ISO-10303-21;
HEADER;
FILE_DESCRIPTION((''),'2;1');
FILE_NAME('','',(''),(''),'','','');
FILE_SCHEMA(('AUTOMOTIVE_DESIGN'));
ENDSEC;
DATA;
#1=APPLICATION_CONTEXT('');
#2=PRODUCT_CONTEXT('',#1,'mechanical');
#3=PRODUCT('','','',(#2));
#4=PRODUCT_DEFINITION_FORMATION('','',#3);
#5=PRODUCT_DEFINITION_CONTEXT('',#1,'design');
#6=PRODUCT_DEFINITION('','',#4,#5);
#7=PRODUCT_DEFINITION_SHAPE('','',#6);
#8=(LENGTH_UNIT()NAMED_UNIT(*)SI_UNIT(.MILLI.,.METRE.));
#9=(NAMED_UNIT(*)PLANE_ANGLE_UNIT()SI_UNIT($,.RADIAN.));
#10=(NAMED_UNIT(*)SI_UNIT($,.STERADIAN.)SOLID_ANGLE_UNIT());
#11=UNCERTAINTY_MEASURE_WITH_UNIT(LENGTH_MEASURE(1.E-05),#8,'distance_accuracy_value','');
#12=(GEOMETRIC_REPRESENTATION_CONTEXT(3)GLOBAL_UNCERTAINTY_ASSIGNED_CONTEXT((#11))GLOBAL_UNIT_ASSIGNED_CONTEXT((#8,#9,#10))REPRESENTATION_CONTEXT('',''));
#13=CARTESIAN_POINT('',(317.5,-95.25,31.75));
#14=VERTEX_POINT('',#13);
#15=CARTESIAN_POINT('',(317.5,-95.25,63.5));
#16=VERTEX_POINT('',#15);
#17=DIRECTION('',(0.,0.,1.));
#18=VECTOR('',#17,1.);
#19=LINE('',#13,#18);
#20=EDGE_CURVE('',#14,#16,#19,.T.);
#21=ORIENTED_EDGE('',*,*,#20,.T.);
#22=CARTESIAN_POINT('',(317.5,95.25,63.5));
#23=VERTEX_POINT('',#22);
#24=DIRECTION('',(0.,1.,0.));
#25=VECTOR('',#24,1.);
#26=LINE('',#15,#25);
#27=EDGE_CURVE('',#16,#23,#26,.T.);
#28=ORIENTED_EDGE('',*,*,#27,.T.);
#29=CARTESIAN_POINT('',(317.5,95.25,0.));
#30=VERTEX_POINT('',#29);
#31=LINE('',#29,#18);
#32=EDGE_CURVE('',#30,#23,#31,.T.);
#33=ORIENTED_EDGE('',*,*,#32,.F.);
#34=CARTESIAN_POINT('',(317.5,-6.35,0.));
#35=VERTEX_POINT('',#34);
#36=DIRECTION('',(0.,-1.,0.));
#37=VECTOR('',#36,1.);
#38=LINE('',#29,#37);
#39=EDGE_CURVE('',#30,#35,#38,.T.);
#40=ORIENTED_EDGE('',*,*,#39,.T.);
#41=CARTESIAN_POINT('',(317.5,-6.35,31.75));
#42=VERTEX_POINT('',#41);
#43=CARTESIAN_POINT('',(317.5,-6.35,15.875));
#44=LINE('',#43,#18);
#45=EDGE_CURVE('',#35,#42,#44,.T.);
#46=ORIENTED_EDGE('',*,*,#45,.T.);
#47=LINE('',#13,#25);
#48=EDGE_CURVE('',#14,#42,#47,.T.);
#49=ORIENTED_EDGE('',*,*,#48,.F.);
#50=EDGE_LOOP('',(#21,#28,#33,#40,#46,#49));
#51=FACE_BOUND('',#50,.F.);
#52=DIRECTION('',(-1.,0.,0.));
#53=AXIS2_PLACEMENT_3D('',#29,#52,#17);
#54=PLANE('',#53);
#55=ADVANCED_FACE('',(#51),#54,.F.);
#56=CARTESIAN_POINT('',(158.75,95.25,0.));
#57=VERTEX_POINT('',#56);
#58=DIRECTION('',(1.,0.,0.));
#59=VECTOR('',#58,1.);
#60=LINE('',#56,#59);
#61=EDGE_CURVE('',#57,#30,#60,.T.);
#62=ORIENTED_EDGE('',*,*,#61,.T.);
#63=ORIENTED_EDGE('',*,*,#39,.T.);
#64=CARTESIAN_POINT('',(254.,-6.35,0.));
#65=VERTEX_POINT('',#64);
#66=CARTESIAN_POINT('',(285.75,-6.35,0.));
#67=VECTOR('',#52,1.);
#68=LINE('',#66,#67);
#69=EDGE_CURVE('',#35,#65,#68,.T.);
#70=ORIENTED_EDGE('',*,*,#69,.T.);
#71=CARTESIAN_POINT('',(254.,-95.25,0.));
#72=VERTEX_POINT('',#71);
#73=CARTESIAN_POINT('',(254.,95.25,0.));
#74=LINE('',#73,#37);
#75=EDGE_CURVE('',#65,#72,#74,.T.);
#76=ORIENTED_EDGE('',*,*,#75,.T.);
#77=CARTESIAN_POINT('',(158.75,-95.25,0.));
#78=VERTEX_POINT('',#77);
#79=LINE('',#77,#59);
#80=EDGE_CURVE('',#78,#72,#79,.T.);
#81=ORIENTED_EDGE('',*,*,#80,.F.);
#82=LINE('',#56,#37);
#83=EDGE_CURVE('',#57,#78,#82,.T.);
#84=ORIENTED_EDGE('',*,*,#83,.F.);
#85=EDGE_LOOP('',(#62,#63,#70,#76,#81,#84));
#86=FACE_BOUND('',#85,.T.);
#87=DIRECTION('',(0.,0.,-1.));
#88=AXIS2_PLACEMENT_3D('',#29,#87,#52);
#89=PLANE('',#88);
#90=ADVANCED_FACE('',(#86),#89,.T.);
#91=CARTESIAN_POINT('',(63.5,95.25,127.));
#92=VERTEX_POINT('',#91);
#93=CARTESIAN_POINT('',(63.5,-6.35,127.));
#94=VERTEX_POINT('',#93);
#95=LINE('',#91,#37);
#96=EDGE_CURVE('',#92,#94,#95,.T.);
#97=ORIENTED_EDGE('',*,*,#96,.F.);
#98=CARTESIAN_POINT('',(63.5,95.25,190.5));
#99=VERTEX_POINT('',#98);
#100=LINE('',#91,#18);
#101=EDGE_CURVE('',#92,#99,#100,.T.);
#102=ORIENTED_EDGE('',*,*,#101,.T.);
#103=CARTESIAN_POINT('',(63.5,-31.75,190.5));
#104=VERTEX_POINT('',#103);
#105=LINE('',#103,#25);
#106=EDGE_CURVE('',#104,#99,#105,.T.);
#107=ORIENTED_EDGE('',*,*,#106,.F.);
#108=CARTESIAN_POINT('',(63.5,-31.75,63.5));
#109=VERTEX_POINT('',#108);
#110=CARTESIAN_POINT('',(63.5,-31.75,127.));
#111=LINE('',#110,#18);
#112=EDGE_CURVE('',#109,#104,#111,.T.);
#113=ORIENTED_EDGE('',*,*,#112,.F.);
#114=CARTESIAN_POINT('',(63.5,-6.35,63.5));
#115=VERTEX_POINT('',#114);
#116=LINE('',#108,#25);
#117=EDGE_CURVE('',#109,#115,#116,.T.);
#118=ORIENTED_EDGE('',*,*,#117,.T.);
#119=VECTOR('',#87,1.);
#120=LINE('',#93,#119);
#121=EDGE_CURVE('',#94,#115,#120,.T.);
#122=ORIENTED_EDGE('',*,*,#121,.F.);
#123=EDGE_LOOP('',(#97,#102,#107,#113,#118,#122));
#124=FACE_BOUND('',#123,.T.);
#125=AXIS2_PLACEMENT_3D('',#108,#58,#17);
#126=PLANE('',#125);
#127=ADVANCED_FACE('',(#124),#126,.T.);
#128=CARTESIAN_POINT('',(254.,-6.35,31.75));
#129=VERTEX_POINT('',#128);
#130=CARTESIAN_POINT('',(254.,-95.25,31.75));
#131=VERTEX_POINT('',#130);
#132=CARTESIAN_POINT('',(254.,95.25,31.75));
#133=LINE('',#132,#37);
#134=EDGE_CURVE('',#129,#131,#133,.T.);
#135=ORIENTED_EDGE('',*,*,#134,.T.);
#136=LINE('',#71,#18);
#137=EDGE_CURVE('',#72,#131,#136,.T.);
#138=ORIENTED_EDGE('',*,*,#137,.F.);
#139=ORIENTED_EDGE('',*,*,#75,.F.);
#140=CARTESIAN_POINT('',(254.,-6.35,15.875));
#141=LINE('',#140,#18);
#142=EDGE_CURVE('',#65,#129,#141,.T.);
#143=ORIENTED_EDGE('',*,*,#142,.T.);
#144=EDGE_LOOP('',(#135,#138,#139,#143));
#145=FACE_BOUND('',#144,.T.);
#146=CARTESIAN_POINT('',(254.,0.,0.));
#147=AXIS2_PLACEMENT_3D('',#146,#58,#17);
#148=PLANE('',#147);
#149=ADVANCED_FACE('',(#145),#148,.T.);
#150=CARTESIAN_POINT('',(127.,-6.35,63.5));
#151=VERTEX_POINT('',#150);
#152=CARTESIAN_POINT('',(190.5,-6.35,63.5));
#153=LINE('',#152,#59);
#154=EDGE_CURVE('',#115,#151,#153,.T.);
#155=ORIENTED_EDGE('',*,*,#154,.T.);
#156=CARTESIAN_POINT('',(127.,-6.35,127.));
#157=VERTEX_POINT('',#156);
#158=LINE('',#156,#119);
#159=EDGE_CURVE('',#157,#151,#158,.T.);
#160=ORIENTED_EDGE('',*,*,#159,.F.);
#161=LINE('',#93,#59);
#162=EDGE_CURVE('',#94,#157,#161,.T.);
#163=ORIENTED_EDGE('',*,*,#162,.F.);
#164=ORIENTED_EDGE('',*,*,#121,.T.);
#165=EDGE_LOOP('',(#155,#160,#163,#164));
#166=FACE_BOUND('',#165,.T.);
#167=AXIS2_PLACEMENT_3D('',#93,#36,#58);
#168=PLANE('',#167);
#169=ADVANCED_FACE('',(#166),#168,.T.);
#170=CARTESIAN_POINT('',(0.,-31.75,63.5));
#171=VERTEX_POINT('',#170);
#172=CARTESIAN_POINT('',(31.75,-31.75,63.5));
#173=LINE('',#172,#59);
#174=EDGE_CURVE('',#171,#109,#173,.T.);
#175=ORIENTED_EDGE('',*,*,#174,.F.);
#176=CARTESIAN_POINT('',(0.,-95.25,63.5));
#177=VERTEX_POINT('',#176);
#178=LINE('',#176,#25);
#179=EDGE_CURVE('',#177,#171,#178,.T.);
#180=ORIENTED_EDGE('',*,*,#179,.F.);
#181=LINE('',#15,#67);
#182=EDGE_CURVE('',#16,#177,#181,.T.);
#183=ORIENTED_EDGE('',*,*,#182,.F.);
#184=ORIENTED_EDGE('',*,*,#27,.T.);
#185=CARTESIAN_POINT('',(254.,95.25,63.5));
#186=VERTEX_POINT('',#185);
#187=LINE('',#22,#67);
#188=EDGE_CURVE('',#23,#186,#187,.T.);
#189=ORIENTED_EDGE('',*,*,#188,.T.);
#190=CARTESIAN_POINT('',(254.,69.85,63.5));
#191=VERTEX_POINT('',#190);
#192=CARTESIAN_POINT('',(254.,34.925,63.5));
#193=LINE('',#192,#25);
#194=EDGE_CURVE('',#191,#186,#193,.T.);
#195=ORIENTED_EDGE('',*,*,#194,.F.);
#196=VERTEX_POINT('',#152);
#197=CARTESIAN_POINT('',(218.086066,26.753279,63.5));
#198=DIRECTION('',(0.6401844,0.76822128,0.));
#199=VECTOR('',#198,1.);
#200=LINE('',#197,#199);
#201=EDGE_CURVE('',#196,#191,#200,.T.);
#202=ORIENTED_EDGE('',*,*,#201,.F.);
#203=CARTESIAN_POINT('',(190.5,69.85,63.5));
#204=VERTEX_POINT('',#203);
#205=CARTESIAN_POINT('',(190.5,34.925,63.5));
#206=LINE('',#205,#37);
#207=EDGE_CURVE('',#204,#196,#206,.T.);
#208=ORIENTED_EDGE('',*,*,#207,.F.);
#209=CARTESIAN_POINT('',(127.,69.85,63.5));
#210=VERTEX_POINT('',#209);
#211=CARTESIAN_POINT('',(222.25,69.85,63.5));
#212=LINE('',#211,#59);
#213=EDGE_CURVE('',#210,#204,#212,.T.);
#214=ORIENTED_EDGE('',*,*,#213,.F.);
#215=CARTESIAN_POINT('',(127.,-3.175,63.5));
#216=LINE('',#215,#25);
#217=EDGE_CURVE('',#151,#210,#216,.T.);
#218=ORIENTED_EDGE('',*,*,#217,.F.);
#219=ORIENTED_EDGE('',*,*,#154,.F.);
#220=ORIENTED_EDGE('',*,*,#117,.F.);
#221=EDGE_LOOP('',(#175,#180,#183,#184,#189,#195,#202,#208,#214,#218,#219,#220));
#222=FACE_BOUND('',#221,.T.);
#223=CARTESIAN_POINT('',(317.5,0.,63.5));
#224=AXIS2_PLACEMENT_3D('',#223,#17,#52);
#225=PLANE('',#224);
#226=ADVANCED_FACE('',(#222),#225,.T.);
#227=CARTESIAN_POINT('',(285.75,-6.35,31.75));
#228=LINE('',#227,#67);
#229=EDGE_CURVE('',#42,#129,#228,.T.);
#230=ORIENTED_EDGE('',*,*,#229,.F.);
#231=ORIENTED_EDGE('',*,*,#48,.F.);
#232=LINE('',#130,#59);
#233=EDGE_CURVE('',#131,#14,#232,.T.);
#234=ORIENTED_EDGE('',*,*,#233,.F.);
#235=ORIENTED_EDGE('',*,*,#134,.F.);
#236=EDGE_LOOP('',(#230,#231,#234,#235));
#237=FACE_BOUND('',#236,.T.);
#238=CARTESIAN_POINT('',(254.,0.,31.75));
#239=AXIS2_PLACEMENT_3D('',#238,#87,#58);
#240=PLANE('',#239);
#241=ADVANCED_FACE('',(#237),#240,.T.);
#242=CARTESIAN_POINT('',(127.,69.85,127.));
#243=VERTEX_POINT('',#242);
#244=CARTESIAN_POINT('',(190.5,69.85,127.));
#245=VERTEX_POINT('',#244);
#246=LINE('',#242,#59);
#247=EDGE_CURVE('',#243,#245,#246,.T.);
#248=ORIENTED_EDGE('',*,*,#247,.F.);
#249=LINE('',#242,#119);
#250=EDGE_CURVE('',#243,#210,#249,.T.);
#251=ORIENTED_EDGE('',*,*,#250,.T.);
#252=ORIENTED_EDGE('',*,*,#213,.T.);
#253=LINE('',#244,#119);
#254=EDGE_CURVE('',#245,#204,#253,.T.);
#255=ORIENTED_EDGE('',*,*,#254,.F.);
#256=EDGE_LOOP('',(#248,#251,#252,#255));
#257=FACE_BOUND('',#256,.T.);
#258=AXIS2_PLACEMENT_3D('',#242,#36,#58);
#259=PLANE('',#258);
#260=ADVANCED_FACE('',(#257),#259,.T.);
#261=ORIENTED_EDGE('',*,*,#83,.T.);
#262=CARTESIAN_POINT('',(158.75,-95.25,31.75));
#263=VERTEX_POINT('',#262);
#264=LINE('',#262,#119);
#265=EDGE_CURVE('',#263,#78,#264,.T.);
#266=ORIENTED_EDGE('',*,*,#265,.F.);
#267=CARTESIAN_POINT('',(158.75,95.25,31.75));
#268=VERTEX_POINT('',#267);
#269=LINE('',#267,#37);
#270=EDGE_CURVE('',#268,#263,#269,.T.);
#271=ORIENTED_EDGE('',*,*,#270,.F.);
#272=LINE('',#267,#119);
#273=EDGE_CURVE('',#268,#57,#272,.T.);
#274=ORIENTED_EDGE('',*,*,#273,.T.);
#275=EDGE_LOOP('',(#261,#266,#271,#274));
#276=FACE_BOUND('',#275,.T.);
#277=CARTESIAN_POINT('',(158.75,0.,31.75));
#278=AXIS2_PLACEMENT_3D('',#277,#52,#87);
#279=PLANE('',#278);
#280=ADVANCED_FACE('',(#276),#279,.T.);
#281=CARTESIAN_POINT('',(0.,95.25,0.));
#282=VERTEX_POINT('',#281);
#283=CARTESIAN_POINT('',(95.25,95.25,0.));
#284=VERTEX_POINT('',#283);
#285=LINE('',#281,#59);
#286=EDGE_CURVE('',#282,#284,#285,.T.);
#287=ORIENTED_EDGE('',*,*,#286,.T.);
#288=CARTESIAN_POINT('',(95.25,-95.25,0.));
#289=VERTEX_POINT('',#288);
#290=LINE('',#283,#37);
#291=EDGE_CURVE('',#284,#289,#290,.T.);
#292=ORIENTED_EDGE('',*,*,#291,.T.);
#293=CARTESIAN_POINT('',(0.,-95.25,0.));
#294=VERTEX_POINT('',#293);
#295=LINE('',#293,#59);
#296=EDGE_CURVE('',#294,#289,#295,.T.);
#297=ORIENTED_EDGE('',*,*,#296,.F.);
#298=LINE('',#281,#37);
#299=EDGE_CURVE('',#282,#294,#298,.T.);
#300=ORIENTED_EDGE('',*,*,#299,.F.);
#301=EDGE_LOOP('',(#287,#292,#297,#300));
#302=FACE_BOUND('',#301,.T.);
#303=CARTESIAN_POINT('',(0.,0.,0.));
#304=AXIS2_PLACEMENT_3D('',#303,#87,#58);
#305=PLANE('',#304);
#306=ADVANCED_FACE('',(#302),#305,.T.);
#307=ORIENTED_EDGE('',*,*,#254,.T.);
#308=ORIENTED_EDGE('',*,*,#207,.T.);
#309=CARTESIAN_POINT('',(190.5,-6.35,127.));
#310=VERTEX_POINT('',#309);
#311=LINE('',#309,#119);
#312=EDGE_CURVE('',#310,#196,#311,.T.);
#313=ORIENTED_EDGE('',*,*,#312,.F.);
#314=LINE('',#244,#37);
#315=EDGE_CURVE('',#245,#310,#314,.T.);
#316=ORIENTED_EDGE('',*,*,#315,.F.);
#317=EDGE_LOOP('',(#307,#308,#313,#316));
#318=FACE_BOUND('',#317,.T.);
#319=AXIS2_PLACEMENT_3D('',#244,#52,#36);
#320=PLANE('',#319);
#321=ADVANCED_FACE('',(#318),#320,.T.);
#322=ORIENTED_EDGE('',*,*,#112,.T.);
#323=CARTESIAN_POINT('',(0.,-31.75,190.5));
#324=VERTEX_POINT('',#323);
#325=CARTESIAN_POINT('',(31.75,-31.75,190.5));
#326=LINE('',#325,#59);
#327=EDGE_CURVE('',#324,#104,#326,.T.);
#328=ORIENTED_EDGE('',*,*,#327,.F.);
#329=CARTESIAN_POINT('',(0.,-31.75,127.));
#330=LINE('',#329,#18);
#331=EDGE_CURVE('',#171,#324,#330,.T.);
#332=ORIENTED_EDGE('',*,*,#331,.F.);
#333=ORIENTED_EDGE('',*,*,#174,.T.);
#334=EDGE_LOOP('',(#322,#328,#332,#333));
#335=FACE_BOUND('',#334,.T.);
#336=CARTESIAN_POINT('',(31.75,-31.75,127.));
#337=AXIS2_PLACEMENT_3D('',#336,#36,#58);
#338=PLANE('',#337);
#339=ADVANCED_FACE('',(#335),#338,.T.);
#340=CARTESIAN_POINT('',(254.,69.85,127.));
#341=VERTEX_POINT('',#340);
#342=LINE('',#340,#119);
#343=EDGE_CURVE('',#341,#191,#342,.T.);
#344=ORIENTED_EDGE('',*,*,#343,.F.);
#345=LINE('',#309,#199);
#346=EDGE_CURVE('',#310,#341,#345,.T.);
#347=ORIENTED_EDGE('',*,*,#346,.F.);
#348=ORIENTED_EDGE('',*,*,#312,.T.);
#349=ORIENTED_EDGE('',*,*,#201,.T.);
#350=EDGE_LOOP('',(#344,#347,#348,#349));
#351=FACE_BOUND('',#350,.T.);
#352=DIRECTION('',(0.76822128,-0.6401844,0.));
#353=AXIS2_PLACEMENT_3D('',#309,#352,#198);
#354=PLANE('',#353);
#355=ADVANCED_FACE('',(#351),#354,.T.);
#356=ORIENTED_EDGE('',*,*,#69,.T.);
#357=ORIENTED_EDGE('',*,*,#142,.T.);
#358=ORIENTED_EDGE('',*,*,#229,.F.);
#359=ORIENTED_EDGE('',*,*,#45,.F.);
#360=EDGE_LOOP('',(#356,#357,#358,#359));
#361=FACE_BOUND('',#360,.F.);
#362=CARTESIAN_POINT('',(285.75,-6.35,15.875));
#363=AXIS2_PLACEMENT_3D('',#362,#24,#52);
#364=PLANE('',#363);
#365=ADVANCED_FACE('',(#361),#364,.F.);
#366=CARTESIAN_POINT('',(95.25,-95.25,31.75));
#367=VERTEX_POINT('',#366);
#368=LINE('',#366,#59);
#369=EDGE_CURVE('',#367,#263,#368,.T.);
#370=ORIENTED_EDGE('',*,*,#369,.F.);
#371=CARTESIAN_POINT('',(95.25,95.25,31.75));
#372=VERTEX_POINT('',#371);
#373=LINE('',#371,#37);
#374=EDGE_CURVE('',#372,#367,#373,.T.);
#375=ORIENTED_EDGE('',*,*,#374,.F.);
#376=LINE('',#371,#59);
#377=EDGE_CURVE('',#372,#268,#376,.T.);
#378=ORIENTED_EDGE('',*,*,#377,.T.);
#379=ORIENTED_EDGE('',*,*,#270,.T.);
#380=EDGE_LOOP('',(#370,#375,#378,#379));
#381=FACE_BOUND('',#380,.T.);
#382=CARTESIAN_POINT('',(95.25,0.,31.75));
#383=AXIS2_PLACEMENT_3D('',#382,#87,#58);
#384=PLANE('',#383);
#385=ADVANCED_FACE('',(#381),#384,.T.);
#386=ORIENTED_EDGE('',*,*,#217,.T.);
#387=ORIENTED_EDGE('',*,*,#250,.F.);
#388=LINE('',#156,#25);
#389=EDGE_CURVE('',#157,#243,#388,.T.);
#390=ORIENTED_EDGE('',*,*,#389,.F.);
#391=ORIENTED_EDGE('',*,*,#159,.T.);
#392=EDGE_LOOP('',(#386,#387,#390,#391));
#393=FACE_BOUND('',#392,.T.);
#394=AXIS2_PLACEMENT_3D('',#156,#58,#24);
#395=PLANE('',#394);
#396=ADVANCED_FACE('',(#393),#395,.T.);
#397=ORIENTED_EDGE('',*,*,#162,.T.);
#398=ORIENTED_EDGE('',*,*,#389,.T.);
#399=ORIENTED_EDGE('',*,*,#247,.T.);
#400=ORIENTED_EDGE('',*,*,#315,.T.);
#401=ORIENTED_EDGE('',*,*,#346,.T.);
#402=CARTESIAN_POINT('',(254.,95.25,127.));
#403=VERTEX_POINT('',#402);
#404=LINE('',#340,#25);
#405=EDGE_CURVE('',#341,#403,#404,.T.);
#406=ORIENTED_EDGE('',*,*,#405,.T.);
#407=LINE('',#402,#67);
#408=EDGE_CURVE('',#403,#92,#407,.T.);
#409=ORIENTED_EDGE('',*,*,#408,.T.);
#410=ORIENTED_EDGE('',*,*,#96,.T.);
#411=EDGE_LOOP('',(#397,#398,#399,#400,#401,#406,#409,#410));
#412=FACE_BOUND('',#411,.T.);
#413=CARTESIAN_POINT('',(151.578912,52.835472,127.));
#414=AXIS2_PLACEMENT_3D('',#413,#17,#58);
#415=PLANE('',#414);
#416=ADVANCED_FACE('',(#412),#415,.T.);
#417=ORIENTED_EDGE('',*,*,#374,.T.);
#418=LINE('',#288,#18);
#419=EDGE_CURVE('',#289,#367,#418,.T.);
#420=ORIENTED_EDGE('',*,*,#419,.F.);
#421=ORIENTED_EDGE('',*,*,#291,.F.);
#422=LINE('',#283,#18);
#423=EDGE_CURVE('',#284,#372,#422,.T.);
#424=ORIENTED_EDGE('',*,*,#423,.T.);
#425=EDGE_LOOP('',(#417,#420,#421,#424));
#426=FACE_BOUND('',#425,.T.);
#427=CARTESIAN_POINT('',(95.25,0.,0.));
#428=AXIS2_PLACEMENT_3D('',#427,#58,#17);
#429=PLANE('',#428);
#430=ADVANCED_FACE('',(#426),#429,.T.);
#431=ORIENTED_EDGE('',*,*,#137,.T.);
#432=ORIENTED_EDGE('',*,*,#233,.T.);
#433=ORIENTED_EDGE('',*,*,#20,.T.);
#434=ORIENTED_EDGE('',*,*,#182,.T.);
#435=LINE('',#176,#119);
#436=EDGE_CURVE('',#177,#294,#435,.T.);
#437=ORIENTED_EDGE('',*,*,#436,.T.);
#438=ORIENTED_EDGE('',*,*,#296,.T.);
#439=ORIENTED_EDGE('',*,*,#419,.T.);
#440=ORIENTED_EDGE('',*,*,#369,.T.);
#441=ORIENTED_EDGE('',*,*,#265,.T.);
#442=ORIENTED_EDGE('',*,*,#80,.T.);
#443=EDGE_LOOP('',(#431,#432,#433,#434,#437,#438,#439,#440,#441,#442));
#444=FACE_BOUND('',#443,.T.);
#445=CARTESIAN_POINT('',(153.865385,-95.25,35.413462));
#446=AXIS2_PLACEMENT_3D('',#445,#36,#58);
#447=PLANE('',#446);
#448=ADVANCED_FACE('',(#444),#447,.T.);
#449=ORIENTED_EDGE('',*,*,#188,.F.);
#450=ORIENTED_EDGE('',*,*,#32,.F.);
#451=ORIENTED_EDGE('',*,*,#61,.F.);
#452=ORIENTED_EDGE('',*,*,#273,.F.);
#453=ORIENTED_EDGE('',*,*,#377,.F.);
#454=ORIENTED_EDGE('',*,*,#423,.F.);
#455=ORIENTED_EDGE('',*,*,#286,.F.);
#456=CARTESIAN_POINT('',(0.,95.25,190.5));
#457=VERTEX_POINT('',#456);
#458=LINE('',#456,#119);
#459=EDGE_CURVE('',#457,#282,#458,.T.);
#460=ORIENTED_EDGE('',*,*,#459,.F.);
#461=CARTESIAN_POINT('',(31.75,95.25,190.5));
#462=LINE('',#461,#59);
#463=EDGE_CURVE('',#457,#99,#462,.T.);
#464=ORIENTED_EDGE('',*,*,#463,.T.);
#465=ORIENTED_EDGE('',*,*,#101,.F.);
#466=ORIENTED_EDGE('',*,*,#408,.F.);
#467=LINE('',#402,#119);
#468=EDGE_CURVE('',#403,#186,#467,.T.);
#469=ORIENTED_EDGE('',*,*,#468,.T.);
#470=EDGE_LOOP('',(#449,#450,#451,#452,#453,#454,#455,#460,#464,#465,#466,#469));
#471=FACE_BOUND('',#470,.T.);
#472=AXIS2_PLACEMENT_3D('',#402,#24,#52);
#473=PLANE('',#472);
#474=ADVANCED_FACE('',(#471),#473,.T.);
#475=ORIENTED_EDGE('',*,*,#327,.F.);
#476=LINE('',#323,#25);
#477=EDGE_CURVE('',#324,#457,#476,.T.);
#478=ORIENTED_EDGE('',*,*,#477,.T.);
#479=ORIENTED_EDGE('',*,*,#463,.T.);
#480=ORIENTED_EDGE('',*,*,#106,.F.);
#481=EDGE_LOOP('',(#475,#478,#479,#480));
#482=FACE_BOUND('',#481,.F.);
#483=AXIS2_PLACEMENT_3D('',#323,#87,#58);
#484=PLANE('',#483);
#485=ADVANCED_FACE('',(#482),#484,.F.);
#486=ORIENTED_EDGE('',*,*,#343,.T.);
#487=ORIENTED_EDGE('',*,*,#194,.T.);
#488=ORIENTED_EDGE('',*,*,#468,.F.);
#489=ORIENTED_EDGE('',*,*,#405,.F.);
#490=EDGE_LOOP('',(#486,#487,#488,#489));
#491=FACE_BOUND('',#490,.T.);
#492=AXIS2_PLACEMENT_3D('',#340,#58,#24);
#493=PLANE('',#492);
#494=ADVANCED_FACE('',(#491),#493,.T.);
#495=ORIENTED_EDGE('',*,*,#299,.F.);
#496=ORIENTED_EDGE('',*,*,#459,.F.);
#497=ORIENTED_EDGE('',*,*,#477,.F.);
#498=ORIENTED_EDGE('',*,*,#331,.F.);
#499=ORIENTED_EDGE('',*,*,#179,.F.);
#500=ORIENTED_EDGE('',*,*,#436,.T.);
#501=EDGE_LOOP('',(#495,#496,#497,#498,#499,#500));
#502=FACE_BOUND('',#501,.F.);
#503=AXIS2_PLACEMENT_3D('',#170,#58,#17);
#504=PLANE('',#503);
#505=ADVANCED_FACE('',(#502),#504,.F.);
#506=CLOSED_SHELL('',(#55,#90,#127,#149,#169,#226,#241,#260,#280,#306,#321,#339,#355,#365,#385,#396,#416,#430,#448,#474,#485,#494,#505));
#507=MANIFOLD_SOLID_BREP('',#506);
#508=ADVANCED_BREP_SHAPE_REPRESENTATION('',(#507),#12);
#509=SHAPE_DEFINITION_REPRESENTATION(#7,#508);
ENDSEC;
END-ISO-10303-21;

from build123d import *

# Parameters (mm, degrees)
F1_DEPTH = 95.25
F2_W     = 63.5
F2_H     = 31.75
F3_DEPTH = 101.6
F5_START = -63.5
F4_W     = 63.5
F4_H     = 127
F5_DEPTH = 127
F7_START = -63.5
F7_DEPTH = 76.2


with BuildPart() as f1:
    # F0 (on Front) → F1 (new body, symmetric)
    with BuildSketch(Plane.XZ):
        Polygon((0, 63.5), (0, 0), (95.25, 0), (95.25, 31.75), (158.75, 31.75), (158.75, 0), (254, 0), (254, 31.75), (317.5, 31.75), (317.5, 63.5), align=None)
    extrude(amount=F1_DEPTH, both=True)

    # F2 (on face) → F3 (join)
    with BuildSketch(Plane(origin=(0, 95.25, 0), x_dir=(-1, 0, 0), z_dir=(0, 1, 0))):
        with Locations((-285.75, 15.875)):
            Rectangle(F2_W, F2_H)
    extrude(amount=-F3_DEPTH)

    # F4 (on face) → F5 (join)
    with BuildSketch(Plane.XZ.offset(95.25).offset(F5_START)):
        with Locations((31.75, 127)):
            Rectangle(F4_W, F4_H)
    extrude(amount=-F5_DEPTH)

    # F6 (on face) → F7 (join)
    with BuildSketch(Plane.XY.offset(190.5).offset(F7_START)):
        Polygon((254, 95.25), (63.5, 95.25), (63.5, -6.35), (127, -6.35), (127, 69.85), (190.5, 69.85), (190.5, -6.35), (254, 69.85), align=None)
    extrude(amount=-F7_DEPTH)


solid = f1.part
